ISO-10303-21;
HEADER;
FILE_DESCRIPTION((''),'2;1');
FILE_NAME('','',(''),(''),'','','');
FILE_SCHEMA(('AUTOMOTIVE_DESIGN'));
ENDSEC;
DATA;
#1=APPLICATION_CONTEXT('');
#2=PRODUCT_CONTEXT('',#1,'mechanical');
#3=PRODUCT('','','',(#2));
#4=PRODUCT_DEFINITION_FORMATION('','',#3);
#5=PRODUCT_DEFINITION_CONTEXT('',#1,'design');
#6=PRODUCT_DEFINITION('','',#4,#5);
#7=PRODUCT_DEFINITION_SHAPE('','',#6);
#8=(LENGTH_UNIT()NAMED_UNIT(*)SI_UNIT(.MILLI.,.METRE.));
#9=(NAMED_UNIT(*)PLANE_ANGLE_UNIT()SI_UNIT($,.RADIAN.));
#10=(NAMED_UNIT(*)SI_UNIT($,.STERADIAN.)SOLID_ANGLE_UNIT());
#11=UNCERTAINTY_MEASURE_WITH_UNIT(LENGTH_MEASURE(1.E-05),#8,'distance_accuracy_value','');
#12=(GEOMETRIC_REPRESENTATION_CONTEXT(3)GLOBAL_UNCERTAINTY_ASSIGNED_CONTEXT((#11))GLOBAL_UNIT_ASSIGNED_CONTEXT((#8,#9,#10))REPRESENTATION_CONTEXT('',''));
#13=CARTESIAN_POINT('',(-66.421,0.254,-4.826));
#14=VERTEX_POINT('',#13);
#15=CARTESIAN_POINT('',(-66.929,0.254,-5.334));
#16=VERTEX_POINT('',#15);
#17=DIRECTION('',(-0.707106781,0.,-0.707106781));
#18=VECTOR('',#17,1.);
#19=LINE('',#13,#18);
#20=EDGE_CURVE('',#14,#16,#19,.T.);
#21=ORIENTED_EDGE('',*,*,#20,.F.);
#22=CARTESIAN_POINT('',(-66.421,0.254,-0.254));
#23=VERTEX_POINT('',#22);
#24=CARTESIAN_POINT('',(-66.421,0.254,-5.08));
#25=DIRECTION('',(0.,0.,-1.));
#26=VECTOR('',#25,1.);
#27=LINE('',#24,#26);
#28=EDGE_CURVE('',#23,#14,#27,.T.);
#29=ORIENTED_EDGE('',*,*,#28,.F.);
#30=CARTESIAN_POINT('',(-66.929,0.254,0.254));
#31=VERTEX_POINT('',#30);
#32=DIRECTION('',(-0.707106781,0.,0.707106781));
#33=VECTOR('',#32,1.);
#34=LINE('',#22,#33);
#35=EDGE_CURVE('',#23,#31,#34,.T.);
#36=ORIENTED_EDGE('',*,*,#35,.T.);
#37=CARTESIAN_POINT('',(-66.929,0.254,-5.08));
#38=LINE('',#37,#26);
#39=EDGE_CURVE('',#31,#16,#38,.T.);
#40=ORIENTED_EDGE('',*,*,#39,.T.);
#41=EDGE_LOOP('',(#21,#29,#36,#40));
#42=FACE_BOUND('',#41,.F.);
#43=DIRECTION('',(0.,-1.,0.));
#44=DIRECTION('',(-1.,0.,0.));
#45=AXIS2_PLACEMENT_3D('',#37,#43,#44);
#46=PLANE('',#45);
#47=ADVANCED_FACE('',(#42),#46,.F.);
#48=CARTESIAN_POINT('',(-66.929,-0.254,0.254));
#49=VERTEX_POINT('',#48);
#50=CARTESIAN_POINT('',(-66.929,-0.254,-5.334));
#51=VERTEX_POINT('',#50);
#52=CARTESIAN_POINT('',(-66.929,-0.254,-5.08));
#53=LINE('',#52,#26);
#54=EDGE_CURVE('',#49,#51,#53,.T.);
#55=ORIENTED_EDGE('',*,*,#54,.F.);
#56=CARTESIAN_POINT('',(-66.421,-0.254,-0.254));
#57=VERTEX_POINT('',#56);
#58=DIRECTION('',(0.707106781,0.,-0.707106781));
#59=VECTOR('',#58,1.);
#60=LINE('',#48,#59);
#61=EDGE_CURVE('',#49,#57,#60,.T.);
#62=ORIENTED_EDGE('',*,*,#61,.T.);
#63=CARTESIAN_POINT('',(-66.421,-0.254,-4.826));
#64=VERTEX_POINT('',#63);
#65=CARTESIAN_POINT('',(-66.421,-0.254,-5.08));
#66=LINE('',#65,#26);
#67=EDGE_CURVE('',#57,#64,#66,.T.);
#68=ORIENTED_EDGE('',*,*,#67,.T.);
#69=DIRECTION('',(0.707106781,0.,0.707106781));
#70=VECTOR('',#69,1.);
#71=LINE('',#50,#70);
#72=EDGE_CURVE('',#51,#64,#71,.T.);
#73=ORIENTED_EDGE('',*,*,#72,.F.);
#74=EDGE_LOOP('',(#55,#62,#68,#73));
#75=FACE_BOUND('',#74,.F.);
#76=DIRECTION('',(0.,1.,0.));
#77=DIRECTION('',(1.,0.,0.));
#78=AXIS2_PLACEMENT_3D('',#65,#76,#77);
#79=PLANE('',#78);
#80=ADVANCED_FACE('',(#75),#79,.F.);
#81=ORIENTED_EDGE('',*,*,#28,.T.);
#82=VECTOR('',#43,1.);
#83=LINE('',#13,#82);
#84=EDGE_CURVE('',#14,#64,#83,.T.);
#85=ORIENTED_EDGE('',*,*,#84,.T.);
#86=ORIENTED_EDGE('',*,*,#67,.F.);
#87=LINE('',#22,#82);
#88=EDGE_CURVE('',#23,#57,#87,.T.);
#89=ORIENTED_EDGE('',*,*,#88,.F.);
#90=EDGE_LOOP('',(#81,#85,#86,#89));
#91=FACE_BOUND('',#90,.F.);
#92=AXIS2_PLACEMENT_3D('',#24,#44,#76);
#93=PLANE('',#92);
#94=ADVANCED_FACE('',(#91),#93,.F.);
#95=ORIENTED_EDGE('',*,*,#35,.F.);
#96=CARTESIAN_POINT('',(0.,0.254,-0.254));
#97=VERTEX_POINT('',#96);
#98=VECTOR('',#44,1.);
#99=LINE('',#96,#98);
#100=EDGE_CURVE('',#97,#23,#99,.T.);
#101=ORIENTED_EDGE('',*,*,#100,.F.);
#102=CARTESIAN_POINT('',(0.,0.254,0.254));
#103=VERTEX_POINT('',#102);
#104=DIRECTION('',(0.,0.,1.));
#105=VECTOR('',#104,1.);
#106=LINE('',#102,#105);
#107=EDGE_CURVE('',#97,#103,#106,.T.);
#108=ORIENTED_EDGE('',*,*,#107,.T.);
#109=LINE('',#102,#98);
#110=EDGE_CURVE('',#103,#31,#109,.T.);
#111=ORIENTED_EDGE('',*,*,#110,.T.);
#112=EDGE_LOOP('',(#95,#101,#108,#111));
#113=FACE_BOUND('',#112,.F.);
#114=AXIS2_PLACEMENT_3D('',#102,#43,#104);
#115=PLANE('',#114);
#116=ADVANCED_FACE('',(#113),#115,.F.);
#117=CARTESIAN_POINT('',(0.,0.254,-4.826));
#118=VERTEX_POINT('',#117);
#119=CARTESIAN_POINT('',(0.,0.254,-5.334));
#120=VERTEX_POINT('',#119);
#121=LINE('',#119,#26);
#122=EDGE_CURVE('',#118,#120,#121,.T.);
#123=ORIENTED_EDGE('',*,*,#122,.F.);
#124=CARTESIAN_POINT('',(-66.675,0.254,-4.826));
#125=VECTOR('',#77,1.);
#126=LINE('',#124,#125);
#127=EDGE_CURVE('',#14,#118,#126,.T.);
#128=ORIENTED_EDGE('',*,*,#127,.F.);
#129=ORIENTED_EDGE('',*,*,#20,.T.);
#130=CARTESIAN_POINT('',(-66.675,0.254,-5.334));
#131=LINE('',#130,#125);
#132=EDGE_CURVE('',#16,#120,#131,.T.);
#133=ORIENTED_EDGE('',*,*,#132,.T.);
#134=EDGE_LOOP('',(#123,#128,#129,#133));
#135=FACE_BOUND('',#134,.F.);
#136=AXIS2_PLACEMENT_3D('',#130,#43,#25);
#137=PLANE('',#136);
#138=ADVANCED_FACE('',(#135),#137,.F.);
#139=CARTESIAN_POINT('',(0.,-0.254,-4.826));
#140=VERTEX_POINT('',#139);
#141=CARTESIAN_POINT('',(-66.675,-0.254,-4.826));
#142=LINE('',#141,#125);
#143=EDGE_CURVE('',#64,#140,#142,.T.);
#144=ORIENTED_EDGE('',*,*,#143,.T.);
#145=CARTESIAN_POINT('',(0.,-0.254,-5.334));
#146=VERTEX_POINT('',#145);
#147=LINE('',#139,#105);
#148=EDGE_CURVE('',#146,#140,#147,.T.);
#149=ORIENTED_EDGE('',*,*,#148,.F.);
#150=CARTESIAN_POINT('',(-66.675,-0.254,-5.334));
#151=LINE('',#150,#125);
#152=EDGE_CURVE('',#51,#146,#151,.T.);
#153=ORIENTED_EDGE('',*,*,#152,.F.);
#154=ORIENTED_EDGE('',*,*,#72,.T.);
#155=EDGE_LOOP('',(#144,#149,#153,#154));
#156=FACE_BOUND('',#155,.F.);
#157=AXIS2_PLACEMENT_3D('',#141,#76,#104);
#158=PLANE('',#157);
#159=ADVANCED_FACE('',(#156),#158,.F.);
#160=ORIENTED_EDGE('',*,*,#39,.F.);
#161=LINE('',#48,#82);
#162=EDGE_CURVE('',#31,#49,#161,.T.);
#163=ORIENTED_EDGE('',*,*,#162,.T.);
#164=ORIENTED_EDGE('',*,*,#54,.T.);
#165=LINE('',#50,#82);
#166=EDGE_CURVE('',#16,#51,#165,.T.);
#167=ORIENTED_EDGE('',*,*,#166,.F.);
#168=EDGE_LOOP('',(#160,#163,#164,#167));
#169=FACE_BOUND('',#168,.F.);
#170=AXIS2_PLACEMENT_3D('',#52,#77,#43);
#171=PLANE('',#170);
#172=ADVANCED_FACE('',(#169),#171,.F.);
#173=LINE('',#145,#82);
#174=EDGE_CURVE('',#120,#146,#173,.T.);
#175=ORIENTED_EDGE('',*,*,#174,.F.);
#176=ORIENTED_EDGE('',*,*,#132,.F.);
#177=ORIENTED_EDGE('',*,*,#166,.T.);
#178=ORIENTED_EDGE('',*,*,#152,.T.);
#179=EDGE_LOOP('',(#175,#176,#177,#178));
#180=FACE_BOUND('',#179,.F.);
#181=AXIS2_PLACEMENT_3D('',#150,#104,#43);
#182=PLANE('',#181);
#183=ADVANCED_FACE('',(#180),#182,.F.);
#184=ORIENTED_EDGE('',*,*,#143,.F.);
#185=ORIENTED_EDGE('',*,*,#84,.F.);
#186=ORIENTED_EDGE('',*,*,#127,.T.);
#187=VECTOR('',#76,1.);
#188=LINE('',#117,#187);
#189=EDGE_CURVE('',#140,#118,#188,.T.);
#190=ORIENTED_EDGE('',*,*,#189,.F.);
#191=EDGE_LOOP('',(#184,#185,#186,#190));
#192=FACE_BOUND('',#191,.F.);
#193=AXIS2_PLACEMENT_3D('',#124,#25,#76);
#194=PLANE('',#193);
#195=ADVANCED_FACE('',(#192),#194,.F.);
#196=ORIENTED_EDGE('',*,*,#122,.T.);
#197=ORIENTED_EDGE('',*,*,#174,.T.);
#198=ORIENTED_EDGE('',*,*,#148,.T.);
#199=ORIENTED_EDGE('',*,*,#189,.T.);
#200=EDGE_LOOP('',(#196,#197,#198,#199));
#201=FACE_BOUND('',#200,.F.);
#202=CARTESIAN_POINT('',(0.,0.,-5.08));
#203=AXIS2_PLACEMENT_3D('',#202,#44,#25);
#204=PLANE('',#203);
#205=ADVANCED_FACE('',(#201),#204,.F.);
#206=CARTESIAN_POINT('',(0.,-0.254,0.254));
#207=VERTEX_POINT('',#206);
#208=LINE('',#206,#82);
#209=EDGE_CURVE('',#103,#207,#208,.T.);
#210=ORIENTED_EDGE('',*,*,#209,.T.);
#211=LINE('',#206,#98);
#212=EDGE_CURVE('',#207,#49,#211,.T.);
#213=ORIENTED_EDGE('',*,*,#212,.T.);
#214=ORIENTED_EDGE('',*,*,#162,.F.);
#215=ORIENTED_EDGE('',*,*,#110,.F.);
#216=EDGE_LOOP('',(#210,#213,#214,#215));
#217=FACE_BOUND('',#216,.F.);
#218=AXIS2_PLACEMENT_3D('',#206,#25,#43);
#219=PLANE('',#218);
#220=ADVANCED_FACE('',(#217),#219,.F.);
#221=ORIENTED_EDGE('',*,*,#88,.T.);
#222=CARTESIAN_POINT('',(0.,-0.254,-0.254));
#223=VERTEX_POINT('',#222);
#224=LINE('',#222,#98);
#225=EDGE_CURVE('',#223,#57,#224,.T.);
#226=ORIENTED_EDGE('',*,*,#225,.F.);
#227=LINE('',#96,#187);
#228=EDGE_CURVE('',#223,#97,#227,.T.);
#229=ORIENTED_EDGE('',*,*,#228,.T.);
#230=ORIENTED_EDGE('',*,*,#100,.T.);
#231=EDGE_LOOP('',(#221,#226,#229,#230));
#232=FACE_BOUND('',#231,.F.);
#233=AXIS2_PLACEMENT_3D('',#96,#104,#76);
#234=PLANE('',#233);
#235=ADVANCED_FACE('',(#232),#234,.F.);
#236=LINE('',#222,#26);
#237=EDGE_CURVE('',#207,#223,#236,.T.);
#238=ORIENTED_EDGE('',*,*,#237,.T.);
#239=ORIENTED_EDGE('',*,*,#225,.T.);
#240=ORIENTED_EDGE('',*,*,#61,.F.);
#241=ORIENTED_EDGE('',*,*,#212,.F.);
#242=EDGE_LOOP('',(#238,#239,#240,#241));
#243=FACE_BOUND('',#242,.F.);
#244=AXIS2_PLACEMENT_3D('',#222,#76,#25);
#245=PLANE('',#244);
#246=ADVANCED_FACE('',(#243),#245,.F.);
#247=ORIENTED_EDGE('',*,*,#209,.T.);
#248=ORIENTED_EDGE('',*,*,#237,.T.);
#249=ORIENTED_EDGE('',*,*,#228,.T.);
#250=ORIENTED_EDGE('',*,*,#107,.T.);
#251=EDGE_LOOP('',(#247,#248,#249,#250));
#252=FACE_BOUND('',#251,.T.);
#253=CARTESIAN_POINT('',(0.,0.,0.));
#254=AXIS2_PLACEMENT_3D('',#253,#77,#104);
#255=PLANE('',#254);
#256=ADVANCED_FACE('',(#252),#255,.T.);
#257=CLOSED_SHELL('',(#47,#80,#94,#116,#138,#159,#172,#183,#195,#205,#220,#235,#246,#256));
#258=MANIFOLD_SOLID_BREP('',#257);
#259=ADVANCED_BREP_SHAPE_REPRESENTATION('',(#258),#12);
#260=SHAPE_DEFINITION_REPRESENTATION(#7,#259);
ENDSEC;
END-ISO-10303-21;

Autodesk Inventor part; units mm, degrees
ref_plane "XZ Plane" through (0, 0, 0) normal (0, 1, 0) x (-1, 0, 0)
sketch "Sketch1" plane through (0, 0, 0) normal (0, 1, 0) x (-1, 0, 0)
  line L0 (0, 0) -> (66.675, 0)
  line L1 (66.675, -5.08) -> (0, -5.08)
  line L2 (66.675, -5.08) -> (66.675, 0)
  dimension "d69" = 66.675
  dimension "d70" = 66.675
  dimension "d89" = 5.08
  dimension "d90" = 0
  dimension "d91" = 0
  dimension "d92" = 0
sketch "Sketch2" plane through (0, 0, 0) normal (1, 0, 0) x (0, 1, 0)
  line L0 (-0.254, 0.254) -> (0.254, 0.254)
  line L1 (0.254, 0.254) -> (0.254, -0.254)
  line L2 (0.254, -0.254) -> (-0.254, -0.254)
  line L3 (-0.254, -0.254) -> (-0.254, 0.254)
  dimension "d98" = 0.508
  dimension "d99" = 0.508
sweep "Sweep1" add profiles "Sketch2" path "Sketch1"
ref_plane "Work Plane1" through (6.35, 0, 0) normal (1, 0, 0) x (0, 1, 0)
ref_plane "Work Plane2" through (0, 0, -6.35) normal (0, 0, 1) x (1, 0, 0)
ref_plane "Work Plane4" through (0, 0, -2.9845) normal (0, 0, 1) x (1, 0, 0)
properties part number "basic strain gauge 0p01 longest" material "Silver"
